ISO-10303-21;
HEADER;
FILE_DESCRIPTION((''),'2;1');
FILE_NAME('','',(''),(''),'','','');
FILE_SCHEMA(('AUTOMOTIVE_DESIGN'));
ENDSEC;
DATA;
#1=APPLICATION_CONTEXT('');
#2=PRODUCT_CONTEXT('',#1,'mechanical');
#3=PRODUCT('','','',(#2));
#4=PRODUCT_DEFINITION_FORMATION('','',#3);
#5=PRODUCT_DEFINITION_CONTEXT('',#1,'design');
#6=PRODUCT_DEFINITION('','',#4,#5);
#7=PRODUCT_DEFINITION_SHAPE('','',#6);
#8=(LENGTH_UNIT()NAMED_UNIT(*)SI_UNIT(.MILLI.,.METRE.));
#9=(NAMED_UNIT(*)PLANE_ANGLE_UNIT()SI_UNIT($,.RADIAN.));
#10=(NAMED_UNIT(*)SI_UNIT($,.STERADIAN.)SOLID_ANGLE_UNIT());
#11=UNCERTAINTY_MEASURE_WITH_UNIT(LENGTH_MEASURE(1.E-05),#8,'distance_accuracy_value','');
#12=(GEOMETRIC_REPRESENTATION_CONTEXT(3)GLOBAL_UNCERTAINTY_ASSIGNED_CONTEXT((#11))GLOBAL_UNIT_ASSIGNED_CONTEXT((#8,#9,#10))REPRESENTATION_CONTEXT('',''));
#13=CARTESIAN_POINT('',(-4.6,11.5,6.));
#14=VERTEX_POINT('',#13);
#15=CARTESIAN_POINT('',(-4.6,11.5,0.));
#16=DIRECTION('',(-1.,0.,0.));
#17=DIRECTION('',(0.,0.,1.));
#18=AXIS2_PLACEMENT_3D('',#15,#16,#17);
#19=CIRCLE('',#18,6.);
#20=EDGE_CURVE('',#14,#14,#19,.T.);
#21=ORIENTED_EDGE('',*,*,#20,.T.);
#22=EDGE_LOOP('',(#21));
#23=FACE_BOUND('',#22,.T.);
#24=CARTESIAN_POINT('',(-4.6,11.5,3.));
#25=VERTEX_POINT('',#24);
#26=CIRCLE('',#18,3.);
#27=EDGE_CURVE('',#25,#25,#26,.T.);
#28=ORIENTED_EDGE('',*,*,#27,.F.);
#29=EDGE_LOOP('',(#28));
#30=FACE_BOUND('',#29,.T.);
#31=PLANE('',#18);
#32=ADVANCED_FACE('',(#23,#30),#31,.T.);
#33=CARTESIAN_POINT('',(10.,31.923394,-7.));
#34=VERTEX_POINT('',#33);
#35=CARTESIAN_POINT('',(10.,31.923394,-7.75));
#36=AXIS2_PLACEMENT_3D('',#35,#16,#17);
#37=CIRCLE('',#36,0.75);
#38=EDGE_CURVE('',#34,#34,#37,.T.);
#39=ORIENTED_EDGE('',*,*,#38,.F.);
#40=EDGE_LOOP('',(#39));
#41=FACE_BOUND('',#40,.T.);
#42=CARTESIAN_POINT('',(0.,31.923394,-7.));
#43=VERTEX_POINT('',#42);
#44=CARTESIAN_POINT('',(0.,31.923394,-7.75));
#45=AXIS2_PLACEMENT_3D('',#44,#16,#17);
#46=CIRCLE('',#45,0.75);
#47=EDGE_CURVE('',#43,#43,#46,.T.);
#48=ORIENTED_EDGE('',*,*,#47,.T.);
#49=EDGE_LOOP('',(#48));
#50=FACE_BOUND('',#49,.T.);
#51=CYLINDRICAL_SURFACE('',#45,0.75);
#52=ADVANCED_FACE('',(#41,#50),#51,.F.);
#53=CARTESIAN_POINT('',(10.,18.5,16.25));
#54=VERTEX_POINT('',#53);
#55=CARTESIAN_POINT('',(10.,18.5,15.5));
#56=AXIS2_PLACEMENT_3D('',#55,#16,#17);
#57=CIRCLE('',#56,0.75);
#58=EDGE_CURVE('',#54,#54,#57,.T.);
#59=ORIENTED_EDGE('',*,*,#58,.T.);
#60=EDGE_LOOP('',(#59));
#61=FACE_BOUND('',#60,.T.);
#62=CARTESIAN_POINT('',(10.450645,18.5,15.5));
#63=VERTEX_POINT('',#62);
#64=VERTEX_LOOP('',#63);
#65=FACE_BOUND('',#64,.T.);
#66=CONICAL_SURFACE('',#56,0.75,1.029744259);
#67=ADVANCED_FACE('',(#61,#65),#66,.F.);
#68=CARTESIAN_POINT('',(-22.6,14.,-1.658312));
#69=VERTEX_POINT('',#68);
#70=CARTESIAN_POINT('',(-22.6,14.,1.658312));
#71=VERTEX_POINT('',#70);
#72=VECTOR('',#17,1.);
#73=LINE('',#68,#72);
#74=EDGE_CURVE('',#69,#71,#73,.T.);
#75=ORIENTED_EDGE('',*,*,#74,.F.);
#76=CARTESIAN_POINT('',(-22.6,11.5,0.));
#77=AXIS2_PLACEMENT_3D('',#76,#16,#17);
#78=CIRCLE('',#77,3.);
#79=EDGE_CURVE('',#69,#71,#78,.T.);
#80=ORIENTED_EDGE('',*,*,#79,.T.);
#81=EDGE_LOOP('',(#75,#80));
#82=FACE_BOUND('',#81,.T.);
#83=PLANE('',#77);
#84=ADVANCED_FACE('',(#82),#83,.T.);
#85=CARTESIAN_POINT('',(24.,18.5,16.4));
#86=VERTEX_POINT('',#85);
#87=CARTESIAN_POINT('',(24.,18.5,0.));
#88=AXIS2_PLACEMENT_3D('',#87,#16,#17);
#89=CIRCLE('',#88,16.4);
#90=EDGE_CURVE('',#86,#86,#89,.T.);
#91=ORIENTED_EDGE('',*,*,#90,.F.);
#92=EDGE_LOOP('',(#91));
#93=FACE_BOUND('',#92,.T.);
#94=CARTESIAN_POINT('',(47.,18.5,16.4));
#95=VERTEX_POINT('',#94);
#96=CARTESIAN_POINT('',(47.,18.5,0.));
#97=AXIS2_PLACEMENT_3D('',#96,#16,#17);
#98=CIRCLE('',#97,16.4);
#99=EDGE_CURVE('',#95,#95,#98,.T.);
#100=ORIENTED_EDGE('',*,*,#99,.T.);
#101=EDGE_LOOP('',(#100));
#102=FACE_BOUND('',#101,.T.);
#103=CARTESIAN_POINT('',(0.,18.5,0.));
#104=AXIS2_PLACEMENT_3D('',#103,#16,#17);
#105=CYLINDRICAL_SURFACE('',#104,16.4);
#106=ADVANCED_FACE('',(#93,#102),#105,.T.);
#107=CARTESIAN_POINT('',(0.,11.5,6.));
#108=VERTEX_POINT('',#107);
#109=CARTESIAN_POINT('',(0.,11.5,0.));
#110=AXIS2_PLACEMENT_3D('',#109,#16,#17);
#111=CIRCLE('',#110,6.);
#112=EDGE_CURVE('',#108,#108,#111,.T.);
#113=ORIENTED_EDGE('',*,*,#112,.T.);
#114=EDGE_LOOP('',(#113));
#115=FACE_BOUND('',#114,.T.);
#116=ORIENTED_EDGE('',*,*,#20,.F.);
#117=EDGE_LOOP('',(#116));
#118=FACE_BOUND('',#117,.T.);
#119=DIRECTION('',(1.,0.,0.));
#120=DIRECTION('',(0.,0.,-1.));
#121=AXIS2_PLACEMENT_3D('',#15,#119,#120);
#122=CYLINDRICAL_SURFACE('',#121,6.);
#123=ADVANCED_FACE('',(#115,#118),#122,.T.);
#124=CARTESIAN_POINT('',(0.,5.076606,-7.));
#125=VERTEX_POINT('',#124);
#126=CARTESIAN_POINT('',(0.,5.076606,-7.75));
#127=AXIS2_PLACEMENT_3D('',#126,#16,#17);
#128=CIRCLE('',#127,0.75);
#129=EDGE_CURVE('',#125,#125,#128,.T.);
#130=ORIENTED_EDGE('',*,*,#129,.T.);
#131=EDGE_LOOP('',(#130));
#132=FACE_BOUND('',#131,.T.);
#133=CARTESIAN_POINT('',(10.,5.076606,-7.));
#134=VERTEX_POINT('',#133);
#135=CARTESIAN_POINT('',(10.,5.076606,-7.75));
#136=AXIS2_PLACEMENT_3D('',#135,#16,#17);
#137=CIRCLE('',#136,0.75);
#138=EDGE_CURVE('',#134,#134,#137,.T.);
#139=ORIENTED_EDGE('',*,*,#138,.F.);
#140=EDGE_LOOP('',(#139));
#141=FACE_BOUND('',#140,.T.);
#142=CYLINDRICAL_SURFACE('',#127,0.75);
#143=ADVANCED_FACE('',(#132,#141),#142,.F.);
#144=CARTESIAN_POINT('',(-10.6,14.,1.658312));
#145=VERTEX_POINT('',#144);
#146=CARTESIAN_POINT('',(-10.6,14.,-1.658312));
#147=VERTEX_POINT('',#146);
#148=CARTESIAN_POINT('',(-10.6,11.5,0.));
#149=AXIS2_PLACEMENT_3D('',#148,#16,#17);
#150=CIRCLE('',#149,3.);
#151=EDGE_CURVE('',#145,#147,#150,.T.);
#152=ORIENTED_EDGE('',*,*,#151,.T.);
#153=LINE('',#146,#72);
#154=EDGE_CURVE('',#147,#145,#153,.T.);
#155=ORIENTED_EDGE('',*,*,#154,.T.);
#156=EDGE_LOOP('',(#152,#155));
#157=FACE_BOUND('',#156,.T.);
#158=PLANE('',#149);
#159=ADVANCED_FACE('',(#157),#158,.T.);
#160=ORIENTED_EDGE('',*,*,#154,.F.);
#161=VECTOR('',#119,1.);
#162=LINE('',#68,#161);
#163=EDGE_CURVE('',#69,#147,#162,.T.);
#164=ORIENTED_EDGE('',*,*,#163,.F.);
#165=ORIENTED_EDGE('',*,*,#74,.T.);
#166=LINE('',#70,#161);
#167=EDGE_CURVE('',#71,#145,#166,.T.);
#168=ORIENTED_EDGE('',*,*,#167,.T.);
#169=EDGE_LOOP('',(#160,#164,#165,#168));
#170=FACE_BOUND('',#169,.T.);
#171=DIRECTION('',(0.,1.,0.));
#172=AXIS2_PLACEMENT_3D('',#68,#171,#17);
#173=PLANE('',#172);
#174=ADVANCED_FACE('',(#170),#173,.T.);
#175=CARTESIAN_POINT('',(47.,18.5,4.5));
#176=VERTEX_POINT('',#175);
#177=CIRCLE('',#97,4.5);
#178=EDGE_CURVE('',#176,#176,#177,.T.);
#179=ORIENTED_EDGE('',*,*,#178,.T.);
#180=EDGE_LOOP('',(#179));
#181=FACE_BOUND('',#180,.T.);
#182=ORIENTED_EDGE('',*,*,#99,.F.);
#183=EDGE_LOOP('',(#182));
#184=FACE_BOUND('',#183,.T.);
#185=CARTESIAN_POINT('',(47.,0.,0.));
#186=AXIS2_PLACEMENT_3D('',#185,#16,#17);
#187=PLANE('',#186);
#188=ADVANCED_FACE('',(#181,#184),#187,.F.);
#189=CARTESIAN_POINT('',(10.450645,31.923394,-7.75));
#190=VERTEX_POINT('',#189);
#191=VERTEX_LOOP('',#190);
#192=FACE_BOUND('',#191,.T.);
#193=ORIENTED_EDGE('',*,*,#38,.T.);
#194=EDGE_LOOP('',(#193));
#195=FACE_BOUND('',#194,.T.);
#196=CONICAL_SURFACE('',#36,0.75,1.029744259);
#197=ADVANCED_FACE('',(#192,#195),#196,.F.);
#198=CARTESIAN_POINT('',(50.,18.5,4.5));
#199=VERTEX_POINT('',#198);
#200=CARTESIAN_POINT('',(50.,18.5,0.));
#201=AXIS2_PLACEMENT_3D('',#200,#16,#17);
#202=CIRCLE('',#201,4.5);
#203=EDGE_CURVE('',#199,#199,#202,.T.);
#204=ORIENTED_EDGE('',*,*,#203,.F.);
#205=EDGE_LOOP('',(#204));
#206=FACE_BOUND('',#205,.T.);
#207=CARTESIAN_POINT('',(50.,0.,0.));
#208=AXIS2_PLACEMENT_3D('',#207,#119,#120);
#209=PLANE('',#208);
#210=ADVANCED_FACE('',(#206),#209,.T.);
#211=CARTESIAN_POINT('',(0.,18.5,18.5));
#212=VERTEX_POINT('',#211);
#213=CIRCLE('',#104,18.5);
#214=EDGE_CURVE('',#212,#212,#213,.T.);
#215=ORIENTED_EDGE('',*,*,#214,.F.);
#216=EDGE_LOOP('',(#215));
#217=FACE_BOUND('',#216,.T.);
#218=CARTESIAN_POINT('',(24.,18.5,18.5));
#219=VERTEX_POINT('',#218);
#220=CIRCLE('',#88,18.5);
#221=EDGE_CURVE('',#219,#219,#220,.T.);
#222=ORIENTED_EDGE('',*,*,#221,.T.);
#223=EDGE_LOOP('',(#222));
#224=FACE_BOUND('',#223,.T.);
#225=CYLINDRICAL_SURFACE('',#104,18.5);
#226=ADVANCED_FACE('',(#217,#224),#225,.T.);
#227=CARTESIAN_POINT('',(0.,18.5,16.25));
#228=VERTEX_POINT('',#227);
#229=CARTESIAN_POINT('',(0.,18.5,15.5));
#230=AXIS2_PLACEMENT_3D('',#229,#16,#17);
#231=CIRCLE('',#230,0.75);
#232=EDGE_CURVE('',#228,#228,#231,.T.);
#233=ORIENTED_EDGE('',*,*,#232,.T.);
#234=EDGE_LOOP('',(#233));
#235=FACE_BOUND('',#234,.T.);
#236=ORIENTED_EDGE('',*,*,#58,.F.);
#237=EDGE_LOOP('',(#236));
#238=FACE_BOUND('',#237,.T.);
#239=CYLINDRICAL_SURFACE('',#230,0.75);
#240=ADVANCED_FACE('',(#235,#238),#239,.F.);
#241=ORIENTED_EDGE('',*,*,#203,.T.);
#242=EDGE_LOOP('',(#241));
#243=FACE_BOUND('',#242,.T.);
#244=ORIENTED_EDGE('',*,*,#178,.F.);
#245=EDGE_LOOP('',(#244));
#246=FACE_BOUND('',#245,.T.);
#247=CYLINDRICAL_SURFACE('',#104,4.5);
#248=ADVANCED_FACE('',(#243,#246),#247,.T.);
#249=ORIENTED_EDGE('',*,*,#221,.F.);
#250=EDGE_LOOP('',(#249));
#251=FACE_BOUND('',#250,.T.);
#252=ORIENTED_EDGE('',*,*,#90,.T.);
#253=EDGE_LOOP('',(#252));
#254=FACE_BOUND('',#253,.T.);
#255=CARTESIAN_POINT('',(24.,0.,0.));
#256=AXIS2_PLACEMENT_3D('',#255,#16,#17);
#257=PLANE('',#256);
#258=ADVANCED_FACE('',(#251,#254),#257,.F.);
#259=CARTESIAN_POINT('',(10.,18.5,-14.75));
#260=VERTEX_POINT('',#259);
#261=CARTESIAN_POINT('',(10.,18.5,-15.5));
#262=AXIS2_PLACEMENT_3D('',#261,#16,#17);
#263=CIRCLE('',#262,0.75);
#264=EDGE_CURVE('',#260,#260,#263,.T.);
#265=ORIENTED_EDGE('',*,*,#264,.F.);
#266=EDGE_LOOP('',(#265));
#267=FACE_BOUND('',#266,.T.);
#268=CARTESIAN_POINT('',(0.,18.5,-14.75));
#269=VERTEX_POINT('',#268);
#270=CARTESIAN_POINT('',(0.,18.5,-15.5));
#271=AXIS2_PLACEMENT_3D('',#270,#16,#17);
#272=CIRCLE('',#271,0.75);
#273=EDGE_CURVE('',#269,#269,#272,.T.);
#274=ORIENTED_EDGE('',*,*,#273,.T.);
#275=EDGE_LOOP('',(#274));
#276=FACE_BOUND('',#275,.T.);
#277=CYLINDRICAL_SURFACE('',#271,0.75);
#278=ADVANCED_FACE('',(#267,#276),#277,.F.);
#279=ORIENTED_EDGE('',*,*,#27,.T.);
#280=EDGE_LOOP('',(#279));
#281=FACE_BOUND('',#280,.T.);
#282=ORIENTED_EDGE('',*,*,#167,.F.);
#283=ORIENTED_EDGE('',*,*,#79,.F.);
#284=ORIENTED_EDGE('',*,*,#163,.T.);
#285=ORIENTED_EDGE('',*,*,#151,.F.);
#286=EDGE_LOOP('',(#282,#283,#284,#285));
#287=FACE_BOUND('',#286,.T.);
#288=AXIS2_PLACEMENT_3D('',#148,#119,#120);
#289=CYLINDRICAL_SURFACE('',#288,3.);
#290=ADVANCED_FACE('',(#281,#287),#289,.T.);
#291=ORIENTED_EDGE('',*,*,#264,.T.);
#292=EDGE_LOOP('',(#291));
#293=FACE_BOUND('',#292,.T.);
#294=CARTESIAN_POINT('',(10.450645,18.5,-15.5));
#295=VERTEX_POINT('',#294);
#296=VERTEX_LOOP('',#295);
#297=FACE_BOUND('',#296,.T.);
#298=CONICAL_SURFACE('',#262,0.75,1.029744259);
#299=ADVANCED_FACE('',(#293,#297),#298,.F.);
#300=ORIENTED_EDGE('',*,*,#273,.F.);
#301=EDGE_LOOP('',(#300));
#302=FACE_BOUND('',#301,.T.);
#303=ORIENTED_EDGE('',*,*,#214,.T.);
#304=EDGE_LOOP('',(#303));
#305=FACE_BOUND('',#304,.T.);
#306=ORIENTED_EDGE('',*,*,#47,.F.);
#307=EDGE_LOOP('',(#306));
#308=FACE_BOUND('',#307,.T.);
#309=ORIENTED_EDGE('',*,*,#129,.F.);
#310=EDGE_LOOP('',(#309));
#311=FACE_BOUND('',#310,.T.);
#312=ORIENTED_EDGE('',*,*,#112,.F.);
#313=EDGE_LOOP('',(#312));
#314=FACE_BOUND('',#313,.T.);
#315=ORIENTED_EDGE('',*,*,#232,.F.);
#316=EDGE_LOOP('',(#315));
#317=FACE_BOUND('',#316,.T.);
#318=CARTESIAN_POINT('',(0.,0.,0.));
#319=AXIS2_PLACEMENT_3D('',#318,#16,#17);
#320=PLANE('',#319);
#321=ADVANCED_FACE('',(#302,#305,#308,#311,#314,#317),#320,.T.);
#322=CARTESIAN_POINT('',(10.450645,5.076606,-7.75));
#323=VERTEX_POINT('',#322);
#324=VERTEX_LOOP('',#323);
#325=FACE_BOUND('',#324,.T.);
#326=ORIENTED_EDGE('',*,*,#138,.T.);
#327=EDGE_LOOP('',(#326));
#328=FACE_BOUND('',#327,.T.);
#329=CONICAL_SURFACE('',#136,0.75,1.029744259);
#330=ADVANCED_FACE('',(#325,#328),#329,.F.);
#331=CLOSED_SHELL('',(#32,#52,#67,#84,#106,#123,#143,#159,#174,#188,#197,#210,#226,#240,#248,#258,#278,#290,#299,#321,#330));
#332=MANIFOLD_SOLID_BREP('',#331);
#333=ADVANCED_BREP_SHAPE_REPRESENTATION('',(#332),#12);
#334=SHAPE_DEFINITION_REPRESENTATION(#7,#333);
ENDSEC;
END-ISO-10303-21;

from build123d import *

# Parameters (mm, degrees)
F_1_5MM_DOWEL_HOLE1_D     = 1.5
F_1_5MM_DOWEL_HOLE1_DEPTH = 10
F_1_5MM_DOWEL_HOLE1_TIP   = 0.450645464
SKETCH3_R                 = 6
BOSS_EXTRUDE1_DEPTH       = 4.6
SKETCH7_R                 = 3
BOSS_EXTRUDE2_DEPTH       = 6
BOSS_EXTRUDE3_DEPTH       = 12


with BuildPart() as part:
    # Sketch2 one side → Revolve1 (revolve)
    with BuildSketch(Plane.XY):
        Polygon((24, 37), (0, 37), (0, 18.5), (50, 18.5), (50, 23), (47, 23), (47, 34.9), (24, 34.9), align=None)
    revolve(axis=Axis((0, 18.5, 0), (1, 0, 0)))

    # Sketch2<3> one side → Revolve2 (revolve)
    with BuildSketch(Plane.XY):
        Polygon((24, 37), (0, 37), (0, 18.5), (50, 18.5), (50, 23), (47, 23), (47, 34.9), (24, 34.9), align=None)
    revolve(axis=Axis((0, 18.5, 0), (1, 0, 0)))

    # Ø1.5mm Dowel Hole1
    with Locations(Plane.ZY):
        with Locations((-7.75, 31.923393759), (-15.5, 18.5), (-7.75, 5.076606241), (15.5, 18.5)):
            Hole(F_1_5MM_DOWEL_HOLE1_D / 2, depth=F_1_5MM_DOWEL_HOLE1_DEPTH)
            with Locations((0, 0, -(F_1_5MM_DOWEL_HOLE1_DEPTH + F_1_5MM_DOWEL_HOLE1_TIP / 2))):  # 118° drill point
                Cone(0, F_1_5MM_DOWEL_HOLE1_D / 2, F_1_5MM_DOWEL_HOLE1_TIP, mode=Mode.SUBTRACT)

    # Sketch3 → Boss-Extrude1 (add)
    with BuildSketch(Plane.ZY):
        with Locations((0, 11.5)):
            Circle(SKETCH3_R)
    extrude(amount=BOSS_EXTRUDE1_DEPTH)

    # Sketch7 → Boss-Extrude2 (add)
    with BuildSketch(Plane.ZY.offset(4.6)):
        with Locations((0, 11.5)):
            Circle(SKETCH7_R)
    extrude(amount=BOSS_EXTRUDE2_DEPTH)

    # Sketch8 → Boss-Extrude3 (add)
    with BuildSketch(Plane.ZY.offset(10.6)):
        with BuildLine():
            Line((-1.658312395, 14), (1.658312395, 14))
            ThreePointArc((1.658312395, 14), (0, 8.5), (-1.658312395, 14))
        make_face()
    extrude(amount=BOSS_EXTRUDE3_DEPTH)


solid = part.part
